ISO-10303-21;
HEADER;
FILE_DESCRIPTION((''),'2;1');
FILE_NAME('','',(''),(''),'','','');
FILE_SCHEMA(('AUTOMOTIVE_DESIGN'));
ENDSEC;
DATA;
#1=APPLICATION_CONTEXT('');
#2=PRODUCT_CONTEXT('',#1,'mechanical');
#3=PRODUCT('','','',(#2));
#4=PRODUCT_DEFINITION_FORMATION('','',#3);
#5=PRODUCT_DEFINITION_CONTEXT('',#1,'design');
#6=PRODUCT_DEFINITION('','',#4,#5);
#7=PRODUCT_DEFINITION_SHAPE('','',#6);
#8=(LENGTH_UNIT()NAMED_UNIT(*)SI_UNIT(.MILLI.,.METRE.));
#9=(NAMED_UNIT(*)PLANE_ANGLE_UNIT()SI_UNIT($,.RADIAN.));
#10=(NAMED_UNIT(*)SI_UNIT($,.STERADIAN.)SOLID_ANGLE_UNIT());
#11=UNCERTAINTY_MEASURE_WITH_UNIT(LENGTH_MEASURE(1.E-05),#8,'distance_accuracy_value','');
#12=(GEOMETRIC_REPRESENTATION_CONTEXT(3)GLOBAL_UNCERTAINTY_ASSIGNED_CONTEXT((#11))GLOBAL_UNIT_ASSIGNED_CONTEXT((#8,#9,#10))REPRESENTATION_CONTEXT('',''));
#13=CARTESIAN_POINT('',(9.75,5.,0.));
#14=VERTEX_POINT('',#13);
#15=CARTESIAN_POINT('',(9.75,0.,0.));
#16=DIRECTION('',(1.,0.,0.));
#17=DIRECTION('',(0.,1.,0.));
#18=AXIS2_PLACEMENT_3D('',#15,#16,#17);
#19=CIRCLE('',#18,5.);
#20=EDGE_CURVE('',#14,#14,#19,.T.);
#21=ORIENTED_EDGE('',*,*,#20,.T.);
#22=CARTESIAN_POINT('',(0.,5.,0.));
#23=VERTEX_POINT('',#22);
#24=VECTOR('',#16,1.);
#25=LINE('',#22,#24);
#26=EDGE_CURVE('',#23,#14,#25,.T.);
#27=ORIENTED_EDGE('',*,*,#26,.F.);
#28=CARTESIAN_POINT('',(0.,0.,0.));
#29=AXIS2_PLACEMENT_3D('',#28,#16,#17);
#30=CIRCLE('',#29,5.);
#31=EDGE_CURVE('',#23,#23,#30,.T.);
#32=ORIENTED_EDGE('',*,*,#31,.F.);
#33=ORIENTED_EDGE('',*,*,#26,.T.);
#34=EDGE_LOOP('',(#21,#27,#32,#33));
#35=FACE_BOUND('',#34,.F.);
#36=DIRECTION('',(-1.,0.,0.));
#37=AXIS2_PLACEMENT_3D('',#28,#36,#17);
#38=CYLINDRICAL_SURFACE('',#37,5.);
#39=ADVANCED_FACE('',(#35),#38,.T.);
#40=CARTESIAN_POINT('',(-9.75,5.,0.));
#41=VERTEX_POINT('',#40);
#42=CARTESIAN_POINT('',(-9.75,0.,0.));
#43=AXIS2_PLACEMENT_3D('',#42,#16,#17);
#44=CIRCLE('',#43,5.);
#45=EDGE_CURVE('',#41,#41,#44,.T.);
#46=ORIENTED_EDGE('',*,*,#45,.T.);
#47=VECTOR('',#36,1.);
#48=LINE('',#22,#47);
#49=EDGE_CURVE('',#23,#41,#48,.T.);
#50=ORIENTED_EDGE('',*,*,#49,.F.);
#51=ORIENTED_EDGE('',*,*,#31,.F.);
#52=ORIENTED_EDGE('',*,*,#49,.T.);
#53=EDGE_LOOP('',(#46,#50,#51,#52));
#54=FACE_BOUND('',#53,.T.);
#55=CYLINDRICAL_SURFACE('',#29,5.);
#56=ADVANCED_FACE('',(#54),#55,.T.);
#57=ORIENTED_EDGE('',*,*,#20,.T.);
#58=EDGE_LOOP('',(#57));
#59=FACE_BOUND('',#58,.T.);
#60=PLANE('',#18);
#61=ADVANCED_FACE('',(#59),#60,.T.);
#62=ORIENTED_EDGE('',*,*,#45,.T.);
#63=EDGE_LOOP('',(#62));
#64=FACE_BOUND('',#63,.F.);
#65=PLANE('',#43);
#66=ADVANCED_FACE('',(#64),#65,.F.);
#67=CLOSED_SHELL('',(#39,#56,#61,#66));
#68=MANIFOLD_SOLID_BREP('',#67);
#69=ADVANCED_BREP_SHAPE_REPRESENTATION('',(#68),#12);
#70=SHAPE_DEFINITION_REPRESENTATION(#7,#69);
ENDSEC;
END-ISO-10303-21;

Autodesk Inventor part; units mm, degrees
ref_plane "YZ Plane" through (0, 0, 0) normal (1, 0, 0) x (0, 1, 0)
ref_plane "XZ Plane" through (0, 0, 0) normal (0, 1, 0) x (-1, 0, 0)
ref_plane "XY Plane" through (0, 0, 0) normal (0, 0, 1) x (1, 0, 0)
sketch "Sketch1" plane through (0, 0, 0) normal (1, 0, 0) x (0, 1, 0)
  circle A0 centre (0, 0) radius 5
  dimension "d0" = 10
extrude "Extrusion1" add sketch "Sketch1" along normal mid plane 19.5
properties part number "bolt"
